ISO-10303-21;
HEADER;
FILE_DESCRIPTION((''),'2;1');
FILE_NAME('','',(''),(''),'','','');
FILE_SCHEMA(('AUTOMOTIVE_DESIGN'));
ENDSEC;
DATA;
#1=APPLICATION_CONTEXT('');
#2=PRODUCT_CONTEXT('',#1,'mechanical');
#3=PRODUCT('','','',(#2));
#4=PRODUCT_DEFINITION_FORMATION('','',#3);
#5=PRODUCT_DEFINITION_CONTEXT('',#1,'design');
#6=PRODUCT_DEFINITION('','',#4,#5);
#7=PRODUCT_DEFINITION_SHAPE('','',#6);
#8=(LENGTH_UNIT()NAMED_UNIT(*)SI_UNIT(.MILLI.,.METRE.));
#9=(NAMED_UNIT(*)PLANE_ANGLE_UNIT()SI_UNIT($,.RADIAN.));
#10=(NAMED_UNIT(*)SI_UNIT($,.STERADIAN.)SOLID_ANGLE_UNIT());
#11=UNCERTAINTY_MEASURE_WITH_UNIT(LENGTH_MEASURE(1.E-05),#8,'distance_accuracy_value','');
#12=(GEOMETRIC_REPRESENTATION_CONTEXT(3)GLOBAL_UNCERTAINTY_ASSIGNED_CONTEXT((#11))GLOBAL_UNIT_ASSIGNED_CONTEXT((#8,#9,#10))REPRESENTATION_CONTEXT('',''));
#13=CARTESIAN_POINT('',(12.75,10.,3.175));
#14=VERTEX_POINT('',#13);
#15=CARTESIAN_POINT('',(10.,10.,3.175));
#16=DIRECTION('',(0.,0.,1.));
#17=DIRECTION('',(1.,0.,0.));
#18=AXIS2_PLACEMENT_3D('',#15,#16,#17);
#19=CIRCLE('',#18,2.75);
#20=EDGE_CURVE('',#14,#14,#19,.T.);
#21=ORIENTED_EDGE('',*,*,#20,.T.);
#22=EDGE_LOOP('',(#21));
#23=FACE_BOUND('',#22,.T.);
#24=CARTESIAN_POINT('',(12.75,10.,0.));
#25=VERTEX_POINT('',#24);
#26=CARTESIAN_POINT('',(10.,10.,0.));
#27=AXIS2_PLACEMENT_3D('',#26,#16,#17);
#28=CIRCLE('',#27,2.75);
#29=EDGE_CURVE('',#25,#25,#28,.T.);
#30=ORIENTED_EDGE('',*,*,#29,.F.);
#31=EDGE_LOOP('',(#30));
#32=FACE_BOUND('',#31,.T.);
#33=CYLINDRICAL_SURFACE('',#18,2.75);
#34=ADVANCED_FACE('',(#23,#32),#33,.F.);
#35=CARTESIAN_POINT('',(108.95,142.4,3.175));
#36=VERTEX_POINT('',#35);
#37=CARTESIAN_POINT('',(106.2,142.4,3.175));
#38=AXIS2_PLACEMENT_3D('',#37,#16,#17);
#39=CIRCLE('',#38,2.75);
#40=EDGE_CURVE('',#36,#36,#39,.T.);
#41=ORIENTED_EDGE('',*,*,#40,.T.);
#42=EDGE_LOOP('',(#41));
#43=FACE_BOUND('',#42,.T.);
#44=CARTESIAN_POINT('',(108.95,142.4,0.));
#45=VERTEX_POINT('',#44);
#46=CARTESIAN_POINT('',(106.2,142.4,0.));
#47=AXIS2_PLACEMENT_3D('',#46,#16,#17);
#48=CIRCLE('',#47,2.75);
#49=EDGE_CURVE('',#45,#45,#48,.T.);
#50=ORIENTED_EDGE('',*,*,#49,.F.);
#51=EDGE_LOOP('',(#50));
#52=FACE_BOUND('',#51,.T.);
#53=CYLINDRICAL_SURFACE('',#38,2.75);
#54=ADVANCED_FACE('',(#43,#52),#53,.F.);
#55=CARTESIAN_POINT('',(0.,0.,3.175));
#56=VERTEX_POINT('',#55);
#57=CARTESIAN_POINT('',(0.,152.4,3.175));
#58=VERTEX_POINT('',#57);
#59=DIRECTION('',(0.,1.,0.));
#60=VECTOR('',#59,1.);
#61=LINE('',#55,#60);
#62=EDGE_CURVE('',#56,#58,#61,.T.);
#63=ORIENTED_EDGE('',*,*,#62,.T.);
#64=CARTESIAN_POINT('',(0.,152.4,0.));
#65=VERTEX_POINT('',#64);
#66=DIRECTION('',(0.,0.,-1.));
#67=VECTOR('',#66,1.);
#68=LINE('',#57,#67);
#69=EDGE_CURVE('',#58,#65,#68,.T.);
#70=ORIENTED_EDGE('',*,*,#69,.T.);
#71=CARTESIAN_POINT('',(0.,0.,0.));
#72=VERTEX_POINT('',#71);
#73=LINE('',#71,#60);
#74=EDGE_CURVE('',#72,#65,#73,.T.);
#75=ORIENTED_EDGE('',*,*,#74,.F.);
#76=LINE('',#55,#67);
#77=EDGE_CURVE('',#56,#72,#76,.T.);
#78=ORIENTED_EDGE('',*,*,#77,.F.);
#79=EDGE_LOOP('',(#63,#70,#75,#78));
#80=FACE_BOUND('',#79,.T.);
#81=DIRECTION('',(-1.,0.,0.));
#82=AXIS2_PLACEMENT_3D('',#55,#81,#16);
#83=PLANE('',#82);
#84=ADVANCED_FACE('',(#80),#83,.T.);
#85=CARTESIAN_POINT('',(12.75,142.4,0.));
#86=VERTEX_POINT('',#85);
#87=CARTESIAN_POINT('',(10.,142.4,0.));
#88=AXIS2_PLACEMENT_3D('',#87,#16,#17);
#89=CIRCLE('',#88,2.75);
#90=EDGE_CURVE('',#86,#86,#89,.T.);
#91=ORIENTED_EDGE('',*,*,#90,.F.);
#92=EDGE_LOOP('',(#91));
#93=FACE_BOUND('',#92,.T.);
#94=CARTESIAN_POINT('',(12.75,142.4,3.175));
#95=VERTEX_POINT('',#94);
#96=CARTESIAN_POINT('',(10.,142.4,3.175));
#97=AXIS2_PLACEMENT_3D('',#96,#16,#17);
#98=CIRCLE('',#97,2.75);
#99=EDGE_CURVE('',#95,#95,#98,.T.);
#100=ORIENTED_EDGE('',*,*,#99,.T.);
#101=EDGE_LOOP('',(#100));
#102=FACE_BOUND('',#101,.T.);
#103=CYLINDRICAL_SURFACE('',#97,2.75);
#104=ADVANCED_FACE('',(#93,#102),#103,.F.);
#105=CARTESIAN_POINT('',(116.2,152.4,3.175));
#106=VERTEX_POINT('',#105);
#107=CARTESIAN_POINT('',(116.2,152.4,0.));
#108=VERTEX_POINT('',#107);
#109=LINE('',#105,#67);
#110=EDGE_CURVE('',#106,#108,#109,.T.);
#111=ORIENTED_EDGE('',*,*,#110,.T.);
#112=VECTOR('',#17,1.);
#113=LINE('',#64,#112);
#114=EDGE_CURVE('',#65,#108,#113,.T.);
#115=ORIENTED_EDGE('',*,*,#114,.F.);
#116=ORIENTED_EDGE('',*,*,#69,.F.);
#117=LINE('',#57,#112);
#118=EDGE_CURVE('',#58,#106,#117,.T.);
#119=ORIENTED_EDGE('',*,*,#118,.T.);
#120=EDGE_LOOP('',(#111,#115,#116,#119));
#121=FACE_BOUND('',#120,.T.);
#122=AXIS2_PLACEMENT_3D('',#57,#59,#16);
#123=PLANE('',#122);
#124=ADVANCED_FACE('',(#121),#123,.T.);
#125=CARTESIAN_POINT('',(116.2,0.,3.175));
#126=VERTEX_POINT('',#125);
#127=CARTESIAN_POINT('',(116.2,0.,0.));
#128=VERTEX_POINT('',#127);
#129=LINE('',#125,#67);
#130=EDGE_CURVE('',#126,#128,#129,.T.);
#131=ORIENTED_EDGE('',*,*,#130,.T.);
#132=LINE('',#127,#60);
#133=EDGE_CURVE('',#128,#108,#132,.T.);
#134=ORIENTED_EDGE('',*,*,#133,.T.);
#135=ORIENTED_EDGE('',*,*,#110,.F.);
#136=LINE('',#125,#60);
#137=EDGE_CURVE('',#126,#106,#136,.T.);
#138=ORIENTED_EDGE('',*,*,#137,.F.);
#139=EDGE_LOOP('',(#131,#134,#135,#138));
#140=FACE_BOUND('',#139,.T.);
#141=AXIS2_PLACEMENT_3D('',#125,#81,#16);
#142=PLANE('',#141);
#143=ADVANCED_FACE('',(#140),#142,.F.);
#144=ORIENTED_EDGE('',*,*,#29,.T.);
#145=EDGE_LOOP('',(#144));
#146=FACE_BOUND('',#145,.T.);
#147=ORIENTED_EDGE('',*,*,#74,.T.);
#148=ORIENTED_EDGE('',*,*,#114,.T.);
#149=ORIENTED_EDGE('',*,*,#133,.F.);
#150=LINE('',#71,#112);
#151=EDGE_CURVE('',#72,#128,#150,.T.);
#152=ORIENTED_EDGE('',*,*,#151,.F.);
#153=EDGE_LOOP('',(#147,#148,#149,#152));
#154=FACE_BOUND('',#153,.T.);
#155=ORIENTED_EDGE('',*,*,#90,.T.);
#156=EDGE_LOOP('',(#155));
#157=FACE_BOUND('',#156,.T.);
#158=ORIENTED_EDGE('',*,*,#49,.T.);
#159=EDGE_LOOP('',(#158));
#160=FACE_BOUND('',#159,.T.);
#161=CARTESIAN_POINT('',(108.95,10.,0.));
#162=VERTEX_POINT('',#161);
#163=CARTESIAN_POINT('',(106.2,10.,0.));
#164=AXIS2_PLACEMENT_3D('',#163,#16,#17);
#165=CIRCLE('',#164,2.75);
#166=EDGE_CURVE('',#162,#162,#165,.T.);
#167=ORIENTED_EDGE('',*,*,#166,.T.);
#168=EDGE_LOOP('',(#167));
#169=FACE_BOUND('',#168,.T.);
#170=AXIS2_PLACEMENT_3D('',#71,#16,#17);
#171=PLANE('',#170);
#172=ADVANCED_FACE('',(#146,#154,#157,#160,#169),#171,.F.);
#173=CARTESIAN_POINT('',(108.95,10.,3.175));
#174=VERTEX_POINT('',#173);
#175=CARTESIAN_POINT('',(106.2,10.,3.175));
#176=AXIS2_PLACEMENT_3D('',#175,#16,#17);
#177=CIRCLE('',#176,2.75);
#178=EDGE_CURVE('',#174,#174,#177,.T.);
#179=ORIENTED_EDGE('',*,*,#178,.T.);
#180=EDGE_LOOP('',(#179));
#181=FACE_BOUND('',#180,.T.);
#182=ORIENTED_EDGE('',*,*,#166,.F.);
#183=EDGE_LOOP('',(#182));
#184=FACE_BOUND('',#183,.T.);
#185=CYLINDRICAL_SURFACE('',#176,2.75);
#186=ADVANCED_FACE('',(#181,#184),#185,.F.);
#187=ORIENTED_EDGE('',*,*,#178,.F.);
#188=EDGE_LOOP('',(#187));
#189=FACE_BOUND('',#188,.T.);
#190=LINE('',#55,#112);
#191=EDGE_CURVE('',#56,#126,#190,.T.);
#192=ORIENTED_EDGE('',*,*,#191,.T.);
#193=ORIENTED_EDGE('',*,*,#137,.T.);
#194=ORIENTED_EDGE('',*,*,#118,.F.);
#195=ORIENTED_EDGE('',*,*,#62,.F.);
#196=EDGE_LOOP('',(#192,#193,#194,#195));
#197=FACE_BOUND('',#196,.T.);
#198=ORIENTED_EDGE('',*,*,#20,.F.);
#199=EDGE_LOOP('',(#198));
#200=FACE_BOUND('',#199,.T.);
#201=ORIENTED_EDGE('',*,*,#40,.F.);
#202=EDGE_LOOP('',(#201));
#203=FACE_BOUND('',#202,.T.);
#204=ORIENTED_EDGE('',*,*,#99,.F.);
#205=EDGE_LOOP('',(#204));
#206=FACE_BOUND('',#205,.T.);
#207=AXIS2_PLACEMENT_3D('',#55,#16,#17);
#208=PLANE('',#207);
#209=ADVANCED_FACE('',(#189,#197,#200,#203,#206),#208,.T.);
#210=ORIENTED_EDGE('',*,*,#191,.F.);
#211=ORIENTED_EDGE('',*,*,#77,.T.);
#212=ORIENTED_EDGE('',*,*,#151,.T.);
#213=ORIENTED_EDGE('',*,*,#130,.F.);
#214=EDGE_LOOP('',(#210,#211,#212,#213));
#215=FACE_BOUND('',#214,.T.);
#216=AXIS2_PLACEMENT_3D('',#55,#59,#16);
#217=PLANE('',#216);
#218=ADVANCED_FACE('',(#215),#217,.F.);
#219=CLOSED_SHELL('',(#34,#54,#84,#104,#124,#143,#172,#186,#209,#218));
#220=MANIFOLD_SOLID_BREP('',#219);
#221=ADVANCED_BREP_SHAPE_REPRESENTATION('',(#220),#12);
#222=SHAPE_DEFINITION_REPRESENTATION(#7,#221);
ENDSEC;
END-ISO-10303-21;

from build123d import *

# Parameters (mm, degrees)
SKETCH1_W            = 116.20000001
SKETCH1_H            = 152.4
BOSS_EXTRUDE1_DEPTH  = 3.175
M5_CLEARANCE_HOLE1_D = 5.5


with BuildPart() as part:
    # Sketch1 → Boss-Extrude1 (new body)
    with BuildSketch(Plane.XY):
        with Locations((58.100000005, 76.2)):
            Rectangle(SKETCH1_W, SKETCH1_H)
    extrude(amount=BOSS_EXTRUDE1_DEPTH)

    # M5 Clearance Hole1 (through all)
    with Locations(Plane.XY.offset(3.175)):
        with Locations((10, 142.4), (106.20000001, 142.4), (106.20000001, 10), (10, 10)):
            Hole(M5_CLEARANCE_HOLE1_D / 2)


solid = part.part
